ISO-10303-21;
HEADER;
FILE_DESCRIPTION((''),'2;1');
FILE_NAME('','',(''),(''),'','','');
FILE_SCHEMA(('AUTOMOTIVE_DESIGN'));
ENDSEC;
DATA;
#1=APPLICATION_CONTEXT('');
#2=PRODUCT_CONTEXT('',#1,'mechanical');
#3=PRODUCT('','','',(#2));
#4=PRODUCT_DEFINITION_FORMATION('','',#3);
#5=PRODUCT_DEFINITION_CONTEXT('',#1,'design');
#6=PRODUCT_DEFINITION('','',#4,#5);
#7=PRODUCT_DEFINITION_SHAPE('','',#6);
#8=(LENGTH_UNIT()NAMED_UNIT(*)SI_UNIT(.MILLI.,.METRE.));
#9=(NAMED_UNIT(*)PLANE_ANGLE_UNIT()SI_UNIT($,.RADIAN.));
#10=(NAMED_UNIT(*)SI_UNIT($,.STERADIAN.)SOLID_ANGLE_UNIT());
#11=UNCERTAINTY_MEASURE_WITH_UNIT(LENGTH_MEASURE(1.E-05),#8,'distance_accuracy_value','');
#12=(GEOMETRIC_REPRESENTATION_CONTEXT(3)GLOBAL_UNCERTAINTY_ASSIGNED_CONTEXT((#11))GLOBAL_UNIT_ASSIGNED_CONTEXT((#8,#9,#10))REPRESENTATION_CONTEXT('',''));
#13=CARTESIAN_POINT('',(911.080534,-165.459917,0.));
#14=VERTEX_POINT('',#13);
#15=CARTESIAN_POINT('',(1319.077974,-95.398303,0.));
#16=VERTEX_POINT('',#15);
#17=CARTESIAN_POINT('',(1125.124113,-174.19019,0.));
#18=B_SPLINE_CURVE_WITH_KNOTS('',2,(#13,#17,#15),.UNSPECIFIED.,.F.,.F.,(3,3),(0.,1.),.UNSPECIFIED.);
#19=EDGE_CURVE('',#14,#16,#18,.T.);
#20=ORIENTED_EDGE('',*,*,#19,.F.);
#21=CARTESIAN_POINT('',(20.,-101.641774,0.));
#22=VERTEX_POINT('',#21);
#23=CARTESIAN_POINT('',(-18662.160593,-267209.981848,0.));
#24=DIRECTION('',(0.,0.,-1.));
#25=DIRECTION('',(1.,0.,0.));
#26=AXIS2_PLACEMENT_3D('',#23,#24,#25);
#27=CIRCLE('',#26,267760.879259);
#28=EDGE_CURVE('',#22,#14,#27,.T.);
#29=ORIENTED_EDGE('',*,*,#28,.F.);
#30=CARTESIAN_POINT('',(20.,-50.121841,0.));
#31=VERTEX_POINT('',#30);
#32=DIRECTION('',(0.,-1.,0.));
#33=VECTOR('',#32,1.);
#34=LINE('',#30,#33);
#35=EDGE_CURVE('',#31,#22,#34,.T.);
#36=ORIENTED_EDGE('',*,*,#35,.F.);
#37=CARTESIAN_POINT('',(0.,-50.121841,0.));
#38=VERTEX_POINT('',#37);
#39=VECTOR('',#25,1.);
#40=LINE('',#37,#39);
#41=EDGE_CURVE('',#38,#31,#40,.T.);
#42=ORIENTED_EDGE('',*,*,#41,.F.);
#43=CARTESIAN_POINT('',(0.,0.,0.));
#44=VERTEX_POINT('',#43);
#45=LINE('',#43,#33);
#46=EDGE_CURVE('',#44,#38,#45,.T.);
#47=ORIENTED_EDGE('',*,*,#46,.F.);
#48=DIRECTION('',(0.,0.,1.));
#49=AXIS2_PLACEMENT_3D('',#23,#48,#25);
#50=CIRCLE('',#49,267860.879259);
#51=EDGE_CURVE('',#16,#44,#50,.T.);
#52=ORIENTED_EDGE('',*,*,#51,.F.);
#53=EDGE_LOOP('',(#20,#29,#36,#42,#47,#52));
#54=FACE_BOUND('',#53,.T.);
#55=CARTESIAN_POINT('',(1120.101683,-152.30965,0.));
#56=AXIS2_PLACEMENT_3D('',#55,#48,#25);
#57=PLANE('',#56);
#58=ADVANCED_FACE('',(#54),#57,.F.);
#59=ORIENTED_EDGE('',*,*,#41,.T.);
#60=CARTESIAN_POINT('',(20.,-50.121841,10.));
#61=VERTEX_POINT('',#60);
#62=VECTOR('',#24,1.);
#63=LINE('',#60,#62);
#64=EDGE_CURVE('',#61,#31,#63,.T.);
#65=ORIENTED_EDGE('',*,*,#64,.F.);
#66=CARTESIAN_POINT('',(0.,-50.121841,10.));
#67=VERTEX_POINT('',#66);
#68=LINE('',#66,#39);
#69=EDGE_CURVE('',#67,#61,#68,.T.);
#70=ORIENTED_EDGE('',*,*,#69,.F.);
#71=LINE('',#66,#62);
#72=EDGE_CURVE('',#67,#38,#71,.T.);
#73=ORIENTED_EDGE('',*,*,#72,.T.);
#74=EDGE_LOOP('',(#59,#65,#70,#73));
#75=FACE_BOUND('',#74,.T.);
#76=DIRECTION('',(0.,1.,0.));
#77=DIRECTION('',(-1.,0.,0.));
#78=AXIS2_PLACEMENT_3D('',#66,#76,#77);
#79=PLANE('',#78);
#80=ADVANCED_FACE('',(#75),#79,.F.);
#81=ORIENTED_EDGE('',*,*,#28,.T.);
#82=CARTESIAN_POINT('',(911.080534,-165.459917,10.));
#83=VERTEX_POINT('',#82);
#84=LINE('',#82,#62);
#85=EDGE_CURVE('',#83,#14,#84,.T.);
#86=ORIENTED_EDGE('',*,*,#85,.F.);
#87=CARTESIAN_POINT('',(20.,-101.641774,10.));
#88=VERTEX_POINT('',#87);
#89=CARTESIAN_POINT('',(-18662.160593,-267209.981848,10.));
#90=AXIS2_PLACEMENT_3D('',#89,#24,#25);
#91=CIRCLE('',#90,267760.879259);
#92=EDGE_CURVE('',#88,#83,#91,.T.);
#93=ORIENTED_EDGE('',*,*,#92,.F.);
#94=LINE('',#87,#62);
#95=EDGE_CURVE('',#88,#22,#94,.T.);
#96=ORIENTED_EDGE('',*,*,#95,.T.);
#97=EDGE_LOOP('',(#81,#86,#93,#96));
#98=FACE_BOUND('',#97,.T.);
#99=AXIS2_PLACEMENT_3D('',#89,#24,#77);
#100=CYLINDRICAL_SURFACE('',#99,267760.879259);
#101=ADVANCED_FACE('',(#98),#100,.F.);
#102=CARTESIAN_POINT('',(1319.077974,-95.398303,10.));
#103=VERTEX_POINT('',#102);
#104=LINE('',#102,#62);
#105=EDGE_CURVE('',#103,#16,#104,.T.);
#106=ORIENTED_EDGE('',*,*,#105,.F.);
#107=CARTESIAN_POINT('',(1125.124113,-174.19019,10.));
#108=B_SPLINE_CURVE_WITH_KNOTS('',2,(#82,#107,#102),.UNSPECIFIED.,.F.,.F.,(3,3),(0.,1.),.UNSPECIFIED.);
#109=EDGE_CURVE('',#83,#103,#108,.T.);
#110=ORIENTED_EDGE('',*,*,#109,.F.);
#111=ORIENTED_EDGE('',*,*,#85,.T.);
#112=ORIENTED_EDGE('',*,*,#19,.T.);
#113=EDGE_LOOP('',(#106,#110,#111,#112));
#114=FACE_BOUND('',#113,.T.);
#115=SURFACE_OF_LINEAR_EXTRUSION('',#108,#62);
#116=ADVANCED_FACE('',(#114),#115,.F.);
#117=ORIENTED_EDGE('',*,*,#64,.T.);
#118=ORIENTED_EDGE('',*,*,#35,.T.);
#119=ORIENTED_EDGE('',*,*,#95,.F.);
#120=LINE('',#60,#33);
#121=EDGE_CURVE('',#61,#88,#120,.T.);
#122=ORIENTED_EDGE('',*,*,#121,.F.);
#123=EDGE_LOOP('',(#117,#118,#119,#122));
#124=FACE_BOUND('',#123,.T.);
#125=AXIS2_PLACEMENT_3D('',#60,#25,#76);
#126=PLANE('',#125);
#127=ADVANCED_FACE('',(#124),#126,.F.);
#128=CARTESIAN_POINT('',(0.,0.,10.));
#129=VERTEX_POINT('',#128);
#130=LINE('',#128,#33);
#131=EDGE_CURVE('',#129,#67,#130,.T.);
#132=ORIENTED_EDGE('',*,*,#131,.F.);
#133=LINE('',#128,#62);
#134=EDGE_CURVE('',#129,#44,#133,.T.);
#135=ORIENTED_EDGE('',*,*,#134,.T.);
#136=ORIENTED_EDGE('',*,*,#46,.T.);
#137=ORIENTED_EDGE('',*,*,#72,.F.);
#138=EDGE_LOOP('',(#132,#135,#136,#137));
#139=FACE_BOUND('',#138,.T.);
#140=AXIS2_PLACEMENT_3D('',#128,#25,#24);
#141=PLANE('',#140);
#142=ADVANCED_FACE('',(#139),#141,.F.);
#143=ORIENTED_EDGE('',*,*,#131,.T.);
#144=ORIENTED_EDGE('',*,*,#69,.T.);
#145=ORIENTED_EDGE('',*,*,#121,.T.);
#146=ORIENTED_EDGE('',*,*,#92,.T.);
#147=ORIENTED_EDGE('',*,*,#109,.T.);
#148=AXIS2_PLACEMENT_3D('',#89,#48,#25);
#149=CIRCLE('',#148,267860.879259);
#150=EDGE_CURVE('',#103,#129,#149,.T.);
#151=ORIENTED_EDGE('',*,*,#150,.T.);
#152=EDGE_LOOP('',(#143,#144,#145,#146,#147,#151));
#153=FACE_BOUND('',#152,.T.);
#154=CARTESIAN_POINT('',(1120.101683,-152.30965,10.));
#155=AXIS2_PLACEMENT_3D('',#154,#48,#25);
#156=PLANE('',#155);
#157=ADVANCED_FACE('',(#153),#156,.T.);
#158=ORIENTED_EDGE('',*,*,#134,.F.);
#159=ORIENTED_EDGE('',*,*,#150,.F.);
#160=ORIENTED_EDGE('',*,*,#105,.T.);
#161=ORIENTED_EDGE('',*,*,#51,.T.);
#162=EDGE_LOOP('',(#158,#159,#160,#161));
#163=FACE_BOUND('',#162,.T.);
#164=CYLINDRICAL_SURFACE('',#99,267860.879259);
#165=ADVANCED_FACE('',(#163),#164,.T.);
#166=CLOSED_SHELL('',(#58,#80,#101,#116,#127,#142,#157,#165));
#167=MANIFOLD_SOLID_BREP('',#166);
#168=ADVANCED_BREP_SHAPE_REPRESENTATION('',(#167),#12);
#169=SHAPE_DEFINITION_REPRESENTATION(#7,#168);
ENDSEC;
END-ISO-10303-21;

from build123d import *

# Parameters (mm, degrees)
BOSS_EXTRUDE1_DEPTH = 10


with BuildPart() as part:
    # Sketch1 → Boss-Extrude1 (new body)
    with BuildSketch(Plane.XY):
        with BuildLine():
            Line((8e-09, 1e-09), (8e-09, -50.121840767))
            Line((8e-09, -50.121840767), (20.000000008, -50.121840767))
            Line((20.000000008, -50.121840767), (20.000000008, -101.641774289))
            ThreePointArc((20.000000008, -101.641774289), (465.566882769, -133.179218179), (911.080534453, -165.459917439))
            add(Edge.make_bspline(
                [(1319.077974178, -95.398302795), (1125.124112684, -174.190190217), (911.080534453, -165.459917439)],
                knots=[0, 0, 0, 1, 1, 1], degree=2))
            ThreePointArc((1319.077974178, -95.398302795), (659.597864045, -46.885056293), (8e-09, 1e-09))
        make_face()
    extrude(amount=BOSS_EXTRUDE1_DEPTH)


solid = part.part
